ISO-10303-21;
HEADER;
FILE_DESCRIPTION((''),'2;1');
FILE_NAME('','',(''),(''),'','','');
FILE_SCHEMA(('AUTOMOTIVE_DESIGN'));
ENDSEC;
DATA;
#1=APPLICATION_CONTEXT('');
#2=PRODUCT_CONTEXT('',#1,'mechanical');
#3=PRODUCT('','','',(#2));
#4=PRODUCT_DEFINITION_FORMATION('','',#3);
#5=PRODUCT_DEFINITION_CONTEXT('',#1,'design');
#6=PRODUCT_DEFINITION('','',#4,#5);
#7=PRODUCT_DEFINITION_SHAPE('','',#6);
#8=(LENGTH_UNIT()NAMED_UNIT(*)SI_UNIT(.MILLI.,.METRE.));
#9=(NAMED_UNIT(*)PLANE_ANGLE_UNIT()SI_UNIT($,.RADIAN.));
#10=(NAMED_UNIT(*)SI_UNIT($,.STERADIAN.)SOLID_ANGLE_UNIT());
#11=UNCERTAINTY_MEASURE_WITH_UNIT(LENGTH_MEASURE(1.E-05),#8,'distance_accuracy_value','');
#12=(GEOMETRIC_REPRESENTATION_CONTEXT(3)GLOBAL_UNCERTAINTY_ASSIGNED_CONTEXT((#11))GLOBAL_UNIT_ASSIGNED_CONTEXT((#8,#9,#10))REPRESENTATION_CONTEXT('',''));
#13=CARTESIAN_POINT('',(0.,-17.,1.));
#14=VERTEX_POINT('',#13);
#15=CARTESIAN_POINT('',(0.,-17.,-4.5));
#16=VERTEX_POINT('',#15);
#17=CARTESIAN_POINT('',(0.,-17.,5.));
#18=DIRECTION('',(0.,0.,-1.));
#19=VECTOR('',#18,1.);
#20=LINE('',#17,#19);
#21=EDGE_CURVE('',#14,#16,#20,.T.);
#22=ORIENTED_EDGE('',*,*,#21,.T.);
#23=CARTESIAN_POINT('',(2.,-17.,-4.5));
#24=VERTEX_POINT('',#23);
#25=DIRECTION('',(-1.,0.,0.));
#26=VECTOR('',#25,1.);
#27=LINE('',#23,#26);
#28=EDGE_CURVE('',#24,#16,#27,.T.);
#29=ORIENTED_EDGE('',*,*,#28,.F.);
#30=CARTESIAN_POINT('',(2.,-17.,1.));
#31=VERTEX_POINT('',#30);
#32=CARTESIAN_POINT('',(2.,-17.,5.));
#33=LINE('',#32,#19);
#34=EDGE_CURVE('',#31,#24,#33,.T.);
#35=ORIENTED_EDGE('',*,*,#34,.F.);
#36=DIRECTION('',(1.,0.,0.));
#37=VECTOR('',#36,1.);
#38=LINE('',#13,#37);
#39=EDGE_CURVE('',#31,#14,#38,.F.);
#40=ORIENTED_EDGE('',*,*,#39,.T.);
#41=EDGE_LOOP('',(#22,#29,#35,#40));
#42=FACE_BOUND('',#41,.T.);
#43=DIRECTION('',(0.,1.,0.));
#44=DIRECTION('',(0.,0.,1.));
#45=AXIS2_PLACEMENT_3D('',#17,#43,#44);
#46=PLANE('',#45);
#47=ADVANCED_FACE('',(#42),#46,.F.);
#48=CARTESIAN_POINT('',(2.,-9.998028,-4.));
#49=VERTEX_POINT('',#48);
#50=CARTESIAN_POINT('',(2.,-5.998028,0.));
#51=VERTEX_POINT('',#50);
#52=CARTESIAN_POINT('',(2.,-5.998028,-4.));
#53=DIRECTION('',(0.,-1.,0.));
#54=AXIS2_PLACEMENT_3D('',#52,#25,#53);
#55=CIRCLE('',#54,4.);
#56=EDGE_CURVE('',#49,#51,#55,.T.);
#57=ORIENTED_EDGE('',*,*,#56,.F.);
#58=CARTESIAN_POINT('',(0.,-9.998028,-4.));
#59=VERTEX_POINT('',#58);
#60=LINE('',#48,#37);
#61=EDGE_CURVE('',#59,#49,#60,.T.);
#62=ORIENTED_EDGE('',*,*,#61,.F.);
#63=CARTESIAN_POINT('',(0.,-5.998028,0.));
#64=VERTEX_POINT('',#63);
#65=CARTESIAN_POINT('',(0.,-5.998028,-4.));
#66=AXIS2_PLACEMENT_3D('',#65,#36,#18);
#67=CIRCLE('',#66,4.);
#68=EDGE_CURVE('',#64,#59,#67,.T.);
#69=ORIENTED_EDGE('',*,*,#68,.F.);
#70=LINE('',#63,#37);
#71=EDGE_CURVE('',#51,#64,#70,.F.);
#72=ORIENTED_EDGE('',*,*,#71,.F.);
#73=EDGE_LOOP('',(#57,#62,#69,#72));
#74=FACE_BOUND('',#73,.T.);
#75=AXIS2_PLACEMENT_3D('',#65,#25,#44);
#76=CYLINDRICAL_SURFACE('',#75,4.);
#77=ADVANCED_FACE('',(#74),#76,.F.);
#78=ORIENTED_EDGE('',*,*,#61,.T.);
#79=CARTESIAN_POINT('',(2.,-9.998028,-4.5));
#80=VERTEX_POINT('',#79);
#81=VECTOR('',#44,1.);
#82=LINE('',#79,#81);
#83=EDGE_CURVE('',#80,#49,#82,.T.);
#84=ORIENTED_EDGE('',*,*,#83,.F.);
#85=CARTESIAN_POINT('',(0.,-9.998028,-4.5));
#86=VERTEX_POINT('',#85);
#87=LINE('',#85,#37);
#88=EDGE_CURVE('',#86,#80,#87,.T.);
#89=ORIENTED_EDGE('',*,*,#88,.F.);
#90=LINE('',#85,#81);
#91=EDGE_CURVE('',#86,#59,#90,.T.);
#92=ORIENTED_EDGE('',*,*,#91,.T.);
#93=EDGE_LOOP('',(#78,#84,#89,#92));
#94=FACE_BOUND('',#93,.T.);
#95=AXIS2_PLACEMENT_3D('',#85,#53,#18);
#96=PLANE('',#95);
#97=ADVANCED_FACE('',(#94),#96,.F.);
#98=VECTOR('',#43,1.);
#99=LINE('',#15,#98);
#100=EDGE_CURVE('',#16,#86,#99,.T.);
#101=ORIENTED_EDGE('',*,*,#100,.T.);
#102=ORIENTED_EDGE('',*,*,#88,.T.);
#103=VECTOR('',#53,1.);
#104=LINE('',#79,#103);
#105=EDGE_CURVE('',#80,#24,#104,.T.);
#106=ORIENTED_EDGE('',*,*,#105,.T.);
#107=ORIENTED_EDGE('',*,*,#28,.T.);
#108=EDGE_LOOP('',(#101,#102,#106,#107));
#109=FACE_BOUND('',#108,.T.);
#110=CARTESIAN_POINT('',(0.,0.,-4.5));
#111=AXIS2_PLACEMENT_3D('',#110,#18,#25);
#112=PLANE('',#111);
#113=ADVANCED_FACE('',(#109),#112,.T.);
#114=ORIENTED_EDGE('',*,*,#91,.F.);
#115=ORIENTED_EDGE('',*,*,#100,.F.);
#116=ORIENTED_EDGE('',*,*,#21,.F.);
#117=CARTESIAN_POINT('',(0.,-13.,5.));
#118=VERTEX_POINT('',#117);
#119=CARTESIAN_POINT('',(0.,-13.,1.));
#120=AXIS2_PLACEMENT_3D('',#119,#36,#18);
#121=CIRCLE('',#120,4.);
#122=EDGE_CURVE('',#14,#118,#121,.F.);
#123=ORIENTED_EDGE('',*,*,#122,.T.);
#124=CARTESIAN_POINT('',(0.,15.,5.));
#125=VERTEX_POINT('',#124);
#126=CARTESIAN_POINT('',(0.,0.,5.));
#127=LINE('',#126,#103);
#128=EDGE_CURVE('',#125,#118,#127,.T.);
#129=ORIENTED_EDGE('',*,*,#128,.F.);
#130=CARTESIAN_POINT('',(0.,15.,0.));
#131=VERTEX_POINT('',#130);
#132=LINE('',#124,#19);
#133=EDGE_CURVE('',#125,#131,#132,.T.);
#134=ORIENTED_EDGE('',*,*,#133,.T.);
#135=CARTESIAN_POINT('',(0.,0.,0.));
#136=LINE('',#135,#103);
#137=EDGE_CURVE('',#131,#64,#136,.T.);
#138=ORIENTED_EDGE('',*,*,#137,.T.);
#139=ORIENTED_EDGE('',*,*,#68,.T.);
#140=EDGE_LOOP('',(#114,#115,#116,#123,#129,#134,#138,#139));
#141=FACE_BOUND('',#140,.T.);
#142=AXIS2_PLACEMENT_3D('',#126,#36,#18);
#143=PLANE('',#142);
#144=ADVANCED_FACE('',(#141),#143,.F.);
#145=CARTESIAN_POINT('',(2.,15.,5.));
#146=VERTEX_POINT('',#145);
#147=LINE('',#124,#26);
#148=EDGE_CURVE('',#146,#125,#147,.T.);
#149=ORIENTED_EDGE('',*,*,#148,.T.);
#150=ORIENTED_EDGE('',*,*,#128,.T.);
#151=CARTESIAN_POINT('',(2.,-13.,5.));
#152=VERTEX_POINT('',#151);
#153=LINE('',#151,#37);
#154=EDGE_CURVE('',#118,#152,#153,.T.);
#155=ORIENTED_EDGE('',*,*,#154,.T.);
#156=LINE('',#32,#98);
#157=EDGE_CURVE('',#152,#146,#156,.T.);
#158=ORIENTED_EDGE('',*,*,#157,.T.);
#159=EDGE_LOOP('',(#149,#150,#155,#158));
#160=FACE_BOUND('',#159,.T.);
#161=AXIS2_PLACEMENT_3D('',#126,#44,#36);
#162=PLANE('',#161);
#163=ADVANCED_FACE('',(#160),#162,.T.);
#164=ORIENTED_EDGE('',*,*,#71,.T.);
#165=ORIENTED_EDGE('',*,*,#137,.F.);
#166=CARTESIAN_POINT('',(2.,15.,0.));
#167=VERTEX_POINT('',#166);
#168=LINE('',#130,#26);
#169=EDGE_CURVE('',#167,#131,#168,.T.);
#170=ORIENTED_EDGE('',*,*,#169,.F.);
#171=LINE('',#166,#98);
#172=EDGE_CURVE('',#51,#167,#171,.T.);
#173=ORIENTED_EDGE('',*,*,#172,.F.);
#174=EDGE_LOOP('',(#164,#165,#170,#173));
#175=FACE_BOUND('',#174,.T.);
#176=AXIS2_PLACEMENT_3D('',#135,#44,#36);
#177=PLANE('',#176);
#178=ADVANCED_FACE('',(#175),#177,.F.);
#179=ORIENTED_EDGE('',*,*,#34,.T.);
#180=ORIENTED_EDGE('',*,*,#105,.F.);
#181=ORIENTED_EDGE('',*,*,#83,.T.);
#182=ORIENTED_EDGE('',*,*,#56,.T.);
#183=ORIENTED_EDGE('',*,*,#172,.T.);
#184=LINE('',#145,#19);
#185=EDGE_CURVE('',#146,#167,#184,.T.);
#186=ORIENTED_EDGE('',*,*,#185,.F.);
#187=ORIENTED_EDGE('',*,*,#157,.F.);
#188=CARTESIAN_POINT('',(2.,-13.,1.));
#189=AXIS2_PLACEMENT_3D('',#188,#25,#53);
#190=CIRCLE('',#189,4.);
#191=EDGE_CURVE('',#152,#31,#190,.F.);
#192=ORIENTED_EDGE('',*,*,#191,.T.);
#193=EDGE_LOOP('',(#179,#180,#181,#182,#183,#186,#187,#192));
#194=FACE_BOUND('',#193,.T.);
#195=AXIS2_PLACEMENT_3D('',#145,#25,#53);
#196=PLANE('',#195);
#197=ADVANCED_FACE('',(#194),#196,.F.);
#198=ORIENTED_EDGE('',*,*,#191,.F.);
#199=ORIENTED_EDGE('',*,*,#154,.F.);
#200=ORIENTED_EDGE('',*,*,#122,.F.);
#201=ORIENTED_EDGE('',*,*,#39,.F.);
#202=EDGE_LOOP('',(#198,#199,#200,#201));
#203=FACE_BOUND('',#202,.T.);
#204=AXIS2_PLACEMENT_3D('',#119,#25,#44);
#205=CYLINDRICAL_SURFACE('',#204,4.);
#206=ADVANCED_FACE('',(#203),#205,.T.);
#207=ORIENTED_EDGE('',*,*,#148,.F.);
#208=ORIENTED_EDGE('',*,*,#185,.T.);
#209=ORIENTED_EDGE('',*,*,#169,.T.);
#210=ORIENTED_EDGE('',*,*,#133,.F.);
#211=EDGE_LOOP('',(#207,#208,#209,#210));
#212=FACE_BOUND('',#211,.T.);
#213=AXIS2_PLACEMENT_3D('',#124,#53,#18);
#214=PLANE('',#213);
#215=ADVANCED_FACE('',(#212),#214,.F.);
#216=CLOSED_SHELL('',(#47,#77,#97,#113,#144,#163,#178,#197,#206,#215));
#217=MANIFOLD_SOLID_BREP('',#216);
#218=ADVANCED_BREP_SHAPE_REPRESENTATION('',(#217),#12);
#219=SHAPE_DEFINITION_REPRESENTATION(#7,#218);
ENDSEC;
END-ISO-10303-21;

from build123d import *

# Parameters (mm, degrees)
BOSS_EXTRUDE1_DEPTH = 5
SKETCH2_W           = 2
SKETCH2_H           = 7.001972448
BOSS_EXTRUDE2_DEPTH = 4.5
FILLET1_R           = 4


with BuildPart() as part:
    # Sketch1 → Boss-Extrude1 (new body)
    with BuildSketch(Plane.XY):
        Polygon((0, 0), (0, 15), (2, 15), (2, 4.971605765), (2, -17), (0, -17), align=None)
    extrude(amount=BOSS_EXTRUDE1_DEPTH)

    # Sketch2 → Boss-Extrude2 (add)
    with BuildSketch(Plane(origin=(0, 0, 0), x_dir=(-1, 0, 0), z_dir=(0, 0, -1))):
        with Locations((-1, -13.499013776)):
            Rectangle(SKETCH2_W, SKETCH2_H)
    extrude(amount=BOSS_EXTRUDE2_DEPTH)

    # Fillet1
    fillet1_edges = [part.edges().sort_by_distance(p)[0] for p in [
        (1, -9.998027552, 0),
        (1, -17, 5),
    ]]
    fillet(fillet1_edges, radius=FILLET1_R)


solid = part.part
